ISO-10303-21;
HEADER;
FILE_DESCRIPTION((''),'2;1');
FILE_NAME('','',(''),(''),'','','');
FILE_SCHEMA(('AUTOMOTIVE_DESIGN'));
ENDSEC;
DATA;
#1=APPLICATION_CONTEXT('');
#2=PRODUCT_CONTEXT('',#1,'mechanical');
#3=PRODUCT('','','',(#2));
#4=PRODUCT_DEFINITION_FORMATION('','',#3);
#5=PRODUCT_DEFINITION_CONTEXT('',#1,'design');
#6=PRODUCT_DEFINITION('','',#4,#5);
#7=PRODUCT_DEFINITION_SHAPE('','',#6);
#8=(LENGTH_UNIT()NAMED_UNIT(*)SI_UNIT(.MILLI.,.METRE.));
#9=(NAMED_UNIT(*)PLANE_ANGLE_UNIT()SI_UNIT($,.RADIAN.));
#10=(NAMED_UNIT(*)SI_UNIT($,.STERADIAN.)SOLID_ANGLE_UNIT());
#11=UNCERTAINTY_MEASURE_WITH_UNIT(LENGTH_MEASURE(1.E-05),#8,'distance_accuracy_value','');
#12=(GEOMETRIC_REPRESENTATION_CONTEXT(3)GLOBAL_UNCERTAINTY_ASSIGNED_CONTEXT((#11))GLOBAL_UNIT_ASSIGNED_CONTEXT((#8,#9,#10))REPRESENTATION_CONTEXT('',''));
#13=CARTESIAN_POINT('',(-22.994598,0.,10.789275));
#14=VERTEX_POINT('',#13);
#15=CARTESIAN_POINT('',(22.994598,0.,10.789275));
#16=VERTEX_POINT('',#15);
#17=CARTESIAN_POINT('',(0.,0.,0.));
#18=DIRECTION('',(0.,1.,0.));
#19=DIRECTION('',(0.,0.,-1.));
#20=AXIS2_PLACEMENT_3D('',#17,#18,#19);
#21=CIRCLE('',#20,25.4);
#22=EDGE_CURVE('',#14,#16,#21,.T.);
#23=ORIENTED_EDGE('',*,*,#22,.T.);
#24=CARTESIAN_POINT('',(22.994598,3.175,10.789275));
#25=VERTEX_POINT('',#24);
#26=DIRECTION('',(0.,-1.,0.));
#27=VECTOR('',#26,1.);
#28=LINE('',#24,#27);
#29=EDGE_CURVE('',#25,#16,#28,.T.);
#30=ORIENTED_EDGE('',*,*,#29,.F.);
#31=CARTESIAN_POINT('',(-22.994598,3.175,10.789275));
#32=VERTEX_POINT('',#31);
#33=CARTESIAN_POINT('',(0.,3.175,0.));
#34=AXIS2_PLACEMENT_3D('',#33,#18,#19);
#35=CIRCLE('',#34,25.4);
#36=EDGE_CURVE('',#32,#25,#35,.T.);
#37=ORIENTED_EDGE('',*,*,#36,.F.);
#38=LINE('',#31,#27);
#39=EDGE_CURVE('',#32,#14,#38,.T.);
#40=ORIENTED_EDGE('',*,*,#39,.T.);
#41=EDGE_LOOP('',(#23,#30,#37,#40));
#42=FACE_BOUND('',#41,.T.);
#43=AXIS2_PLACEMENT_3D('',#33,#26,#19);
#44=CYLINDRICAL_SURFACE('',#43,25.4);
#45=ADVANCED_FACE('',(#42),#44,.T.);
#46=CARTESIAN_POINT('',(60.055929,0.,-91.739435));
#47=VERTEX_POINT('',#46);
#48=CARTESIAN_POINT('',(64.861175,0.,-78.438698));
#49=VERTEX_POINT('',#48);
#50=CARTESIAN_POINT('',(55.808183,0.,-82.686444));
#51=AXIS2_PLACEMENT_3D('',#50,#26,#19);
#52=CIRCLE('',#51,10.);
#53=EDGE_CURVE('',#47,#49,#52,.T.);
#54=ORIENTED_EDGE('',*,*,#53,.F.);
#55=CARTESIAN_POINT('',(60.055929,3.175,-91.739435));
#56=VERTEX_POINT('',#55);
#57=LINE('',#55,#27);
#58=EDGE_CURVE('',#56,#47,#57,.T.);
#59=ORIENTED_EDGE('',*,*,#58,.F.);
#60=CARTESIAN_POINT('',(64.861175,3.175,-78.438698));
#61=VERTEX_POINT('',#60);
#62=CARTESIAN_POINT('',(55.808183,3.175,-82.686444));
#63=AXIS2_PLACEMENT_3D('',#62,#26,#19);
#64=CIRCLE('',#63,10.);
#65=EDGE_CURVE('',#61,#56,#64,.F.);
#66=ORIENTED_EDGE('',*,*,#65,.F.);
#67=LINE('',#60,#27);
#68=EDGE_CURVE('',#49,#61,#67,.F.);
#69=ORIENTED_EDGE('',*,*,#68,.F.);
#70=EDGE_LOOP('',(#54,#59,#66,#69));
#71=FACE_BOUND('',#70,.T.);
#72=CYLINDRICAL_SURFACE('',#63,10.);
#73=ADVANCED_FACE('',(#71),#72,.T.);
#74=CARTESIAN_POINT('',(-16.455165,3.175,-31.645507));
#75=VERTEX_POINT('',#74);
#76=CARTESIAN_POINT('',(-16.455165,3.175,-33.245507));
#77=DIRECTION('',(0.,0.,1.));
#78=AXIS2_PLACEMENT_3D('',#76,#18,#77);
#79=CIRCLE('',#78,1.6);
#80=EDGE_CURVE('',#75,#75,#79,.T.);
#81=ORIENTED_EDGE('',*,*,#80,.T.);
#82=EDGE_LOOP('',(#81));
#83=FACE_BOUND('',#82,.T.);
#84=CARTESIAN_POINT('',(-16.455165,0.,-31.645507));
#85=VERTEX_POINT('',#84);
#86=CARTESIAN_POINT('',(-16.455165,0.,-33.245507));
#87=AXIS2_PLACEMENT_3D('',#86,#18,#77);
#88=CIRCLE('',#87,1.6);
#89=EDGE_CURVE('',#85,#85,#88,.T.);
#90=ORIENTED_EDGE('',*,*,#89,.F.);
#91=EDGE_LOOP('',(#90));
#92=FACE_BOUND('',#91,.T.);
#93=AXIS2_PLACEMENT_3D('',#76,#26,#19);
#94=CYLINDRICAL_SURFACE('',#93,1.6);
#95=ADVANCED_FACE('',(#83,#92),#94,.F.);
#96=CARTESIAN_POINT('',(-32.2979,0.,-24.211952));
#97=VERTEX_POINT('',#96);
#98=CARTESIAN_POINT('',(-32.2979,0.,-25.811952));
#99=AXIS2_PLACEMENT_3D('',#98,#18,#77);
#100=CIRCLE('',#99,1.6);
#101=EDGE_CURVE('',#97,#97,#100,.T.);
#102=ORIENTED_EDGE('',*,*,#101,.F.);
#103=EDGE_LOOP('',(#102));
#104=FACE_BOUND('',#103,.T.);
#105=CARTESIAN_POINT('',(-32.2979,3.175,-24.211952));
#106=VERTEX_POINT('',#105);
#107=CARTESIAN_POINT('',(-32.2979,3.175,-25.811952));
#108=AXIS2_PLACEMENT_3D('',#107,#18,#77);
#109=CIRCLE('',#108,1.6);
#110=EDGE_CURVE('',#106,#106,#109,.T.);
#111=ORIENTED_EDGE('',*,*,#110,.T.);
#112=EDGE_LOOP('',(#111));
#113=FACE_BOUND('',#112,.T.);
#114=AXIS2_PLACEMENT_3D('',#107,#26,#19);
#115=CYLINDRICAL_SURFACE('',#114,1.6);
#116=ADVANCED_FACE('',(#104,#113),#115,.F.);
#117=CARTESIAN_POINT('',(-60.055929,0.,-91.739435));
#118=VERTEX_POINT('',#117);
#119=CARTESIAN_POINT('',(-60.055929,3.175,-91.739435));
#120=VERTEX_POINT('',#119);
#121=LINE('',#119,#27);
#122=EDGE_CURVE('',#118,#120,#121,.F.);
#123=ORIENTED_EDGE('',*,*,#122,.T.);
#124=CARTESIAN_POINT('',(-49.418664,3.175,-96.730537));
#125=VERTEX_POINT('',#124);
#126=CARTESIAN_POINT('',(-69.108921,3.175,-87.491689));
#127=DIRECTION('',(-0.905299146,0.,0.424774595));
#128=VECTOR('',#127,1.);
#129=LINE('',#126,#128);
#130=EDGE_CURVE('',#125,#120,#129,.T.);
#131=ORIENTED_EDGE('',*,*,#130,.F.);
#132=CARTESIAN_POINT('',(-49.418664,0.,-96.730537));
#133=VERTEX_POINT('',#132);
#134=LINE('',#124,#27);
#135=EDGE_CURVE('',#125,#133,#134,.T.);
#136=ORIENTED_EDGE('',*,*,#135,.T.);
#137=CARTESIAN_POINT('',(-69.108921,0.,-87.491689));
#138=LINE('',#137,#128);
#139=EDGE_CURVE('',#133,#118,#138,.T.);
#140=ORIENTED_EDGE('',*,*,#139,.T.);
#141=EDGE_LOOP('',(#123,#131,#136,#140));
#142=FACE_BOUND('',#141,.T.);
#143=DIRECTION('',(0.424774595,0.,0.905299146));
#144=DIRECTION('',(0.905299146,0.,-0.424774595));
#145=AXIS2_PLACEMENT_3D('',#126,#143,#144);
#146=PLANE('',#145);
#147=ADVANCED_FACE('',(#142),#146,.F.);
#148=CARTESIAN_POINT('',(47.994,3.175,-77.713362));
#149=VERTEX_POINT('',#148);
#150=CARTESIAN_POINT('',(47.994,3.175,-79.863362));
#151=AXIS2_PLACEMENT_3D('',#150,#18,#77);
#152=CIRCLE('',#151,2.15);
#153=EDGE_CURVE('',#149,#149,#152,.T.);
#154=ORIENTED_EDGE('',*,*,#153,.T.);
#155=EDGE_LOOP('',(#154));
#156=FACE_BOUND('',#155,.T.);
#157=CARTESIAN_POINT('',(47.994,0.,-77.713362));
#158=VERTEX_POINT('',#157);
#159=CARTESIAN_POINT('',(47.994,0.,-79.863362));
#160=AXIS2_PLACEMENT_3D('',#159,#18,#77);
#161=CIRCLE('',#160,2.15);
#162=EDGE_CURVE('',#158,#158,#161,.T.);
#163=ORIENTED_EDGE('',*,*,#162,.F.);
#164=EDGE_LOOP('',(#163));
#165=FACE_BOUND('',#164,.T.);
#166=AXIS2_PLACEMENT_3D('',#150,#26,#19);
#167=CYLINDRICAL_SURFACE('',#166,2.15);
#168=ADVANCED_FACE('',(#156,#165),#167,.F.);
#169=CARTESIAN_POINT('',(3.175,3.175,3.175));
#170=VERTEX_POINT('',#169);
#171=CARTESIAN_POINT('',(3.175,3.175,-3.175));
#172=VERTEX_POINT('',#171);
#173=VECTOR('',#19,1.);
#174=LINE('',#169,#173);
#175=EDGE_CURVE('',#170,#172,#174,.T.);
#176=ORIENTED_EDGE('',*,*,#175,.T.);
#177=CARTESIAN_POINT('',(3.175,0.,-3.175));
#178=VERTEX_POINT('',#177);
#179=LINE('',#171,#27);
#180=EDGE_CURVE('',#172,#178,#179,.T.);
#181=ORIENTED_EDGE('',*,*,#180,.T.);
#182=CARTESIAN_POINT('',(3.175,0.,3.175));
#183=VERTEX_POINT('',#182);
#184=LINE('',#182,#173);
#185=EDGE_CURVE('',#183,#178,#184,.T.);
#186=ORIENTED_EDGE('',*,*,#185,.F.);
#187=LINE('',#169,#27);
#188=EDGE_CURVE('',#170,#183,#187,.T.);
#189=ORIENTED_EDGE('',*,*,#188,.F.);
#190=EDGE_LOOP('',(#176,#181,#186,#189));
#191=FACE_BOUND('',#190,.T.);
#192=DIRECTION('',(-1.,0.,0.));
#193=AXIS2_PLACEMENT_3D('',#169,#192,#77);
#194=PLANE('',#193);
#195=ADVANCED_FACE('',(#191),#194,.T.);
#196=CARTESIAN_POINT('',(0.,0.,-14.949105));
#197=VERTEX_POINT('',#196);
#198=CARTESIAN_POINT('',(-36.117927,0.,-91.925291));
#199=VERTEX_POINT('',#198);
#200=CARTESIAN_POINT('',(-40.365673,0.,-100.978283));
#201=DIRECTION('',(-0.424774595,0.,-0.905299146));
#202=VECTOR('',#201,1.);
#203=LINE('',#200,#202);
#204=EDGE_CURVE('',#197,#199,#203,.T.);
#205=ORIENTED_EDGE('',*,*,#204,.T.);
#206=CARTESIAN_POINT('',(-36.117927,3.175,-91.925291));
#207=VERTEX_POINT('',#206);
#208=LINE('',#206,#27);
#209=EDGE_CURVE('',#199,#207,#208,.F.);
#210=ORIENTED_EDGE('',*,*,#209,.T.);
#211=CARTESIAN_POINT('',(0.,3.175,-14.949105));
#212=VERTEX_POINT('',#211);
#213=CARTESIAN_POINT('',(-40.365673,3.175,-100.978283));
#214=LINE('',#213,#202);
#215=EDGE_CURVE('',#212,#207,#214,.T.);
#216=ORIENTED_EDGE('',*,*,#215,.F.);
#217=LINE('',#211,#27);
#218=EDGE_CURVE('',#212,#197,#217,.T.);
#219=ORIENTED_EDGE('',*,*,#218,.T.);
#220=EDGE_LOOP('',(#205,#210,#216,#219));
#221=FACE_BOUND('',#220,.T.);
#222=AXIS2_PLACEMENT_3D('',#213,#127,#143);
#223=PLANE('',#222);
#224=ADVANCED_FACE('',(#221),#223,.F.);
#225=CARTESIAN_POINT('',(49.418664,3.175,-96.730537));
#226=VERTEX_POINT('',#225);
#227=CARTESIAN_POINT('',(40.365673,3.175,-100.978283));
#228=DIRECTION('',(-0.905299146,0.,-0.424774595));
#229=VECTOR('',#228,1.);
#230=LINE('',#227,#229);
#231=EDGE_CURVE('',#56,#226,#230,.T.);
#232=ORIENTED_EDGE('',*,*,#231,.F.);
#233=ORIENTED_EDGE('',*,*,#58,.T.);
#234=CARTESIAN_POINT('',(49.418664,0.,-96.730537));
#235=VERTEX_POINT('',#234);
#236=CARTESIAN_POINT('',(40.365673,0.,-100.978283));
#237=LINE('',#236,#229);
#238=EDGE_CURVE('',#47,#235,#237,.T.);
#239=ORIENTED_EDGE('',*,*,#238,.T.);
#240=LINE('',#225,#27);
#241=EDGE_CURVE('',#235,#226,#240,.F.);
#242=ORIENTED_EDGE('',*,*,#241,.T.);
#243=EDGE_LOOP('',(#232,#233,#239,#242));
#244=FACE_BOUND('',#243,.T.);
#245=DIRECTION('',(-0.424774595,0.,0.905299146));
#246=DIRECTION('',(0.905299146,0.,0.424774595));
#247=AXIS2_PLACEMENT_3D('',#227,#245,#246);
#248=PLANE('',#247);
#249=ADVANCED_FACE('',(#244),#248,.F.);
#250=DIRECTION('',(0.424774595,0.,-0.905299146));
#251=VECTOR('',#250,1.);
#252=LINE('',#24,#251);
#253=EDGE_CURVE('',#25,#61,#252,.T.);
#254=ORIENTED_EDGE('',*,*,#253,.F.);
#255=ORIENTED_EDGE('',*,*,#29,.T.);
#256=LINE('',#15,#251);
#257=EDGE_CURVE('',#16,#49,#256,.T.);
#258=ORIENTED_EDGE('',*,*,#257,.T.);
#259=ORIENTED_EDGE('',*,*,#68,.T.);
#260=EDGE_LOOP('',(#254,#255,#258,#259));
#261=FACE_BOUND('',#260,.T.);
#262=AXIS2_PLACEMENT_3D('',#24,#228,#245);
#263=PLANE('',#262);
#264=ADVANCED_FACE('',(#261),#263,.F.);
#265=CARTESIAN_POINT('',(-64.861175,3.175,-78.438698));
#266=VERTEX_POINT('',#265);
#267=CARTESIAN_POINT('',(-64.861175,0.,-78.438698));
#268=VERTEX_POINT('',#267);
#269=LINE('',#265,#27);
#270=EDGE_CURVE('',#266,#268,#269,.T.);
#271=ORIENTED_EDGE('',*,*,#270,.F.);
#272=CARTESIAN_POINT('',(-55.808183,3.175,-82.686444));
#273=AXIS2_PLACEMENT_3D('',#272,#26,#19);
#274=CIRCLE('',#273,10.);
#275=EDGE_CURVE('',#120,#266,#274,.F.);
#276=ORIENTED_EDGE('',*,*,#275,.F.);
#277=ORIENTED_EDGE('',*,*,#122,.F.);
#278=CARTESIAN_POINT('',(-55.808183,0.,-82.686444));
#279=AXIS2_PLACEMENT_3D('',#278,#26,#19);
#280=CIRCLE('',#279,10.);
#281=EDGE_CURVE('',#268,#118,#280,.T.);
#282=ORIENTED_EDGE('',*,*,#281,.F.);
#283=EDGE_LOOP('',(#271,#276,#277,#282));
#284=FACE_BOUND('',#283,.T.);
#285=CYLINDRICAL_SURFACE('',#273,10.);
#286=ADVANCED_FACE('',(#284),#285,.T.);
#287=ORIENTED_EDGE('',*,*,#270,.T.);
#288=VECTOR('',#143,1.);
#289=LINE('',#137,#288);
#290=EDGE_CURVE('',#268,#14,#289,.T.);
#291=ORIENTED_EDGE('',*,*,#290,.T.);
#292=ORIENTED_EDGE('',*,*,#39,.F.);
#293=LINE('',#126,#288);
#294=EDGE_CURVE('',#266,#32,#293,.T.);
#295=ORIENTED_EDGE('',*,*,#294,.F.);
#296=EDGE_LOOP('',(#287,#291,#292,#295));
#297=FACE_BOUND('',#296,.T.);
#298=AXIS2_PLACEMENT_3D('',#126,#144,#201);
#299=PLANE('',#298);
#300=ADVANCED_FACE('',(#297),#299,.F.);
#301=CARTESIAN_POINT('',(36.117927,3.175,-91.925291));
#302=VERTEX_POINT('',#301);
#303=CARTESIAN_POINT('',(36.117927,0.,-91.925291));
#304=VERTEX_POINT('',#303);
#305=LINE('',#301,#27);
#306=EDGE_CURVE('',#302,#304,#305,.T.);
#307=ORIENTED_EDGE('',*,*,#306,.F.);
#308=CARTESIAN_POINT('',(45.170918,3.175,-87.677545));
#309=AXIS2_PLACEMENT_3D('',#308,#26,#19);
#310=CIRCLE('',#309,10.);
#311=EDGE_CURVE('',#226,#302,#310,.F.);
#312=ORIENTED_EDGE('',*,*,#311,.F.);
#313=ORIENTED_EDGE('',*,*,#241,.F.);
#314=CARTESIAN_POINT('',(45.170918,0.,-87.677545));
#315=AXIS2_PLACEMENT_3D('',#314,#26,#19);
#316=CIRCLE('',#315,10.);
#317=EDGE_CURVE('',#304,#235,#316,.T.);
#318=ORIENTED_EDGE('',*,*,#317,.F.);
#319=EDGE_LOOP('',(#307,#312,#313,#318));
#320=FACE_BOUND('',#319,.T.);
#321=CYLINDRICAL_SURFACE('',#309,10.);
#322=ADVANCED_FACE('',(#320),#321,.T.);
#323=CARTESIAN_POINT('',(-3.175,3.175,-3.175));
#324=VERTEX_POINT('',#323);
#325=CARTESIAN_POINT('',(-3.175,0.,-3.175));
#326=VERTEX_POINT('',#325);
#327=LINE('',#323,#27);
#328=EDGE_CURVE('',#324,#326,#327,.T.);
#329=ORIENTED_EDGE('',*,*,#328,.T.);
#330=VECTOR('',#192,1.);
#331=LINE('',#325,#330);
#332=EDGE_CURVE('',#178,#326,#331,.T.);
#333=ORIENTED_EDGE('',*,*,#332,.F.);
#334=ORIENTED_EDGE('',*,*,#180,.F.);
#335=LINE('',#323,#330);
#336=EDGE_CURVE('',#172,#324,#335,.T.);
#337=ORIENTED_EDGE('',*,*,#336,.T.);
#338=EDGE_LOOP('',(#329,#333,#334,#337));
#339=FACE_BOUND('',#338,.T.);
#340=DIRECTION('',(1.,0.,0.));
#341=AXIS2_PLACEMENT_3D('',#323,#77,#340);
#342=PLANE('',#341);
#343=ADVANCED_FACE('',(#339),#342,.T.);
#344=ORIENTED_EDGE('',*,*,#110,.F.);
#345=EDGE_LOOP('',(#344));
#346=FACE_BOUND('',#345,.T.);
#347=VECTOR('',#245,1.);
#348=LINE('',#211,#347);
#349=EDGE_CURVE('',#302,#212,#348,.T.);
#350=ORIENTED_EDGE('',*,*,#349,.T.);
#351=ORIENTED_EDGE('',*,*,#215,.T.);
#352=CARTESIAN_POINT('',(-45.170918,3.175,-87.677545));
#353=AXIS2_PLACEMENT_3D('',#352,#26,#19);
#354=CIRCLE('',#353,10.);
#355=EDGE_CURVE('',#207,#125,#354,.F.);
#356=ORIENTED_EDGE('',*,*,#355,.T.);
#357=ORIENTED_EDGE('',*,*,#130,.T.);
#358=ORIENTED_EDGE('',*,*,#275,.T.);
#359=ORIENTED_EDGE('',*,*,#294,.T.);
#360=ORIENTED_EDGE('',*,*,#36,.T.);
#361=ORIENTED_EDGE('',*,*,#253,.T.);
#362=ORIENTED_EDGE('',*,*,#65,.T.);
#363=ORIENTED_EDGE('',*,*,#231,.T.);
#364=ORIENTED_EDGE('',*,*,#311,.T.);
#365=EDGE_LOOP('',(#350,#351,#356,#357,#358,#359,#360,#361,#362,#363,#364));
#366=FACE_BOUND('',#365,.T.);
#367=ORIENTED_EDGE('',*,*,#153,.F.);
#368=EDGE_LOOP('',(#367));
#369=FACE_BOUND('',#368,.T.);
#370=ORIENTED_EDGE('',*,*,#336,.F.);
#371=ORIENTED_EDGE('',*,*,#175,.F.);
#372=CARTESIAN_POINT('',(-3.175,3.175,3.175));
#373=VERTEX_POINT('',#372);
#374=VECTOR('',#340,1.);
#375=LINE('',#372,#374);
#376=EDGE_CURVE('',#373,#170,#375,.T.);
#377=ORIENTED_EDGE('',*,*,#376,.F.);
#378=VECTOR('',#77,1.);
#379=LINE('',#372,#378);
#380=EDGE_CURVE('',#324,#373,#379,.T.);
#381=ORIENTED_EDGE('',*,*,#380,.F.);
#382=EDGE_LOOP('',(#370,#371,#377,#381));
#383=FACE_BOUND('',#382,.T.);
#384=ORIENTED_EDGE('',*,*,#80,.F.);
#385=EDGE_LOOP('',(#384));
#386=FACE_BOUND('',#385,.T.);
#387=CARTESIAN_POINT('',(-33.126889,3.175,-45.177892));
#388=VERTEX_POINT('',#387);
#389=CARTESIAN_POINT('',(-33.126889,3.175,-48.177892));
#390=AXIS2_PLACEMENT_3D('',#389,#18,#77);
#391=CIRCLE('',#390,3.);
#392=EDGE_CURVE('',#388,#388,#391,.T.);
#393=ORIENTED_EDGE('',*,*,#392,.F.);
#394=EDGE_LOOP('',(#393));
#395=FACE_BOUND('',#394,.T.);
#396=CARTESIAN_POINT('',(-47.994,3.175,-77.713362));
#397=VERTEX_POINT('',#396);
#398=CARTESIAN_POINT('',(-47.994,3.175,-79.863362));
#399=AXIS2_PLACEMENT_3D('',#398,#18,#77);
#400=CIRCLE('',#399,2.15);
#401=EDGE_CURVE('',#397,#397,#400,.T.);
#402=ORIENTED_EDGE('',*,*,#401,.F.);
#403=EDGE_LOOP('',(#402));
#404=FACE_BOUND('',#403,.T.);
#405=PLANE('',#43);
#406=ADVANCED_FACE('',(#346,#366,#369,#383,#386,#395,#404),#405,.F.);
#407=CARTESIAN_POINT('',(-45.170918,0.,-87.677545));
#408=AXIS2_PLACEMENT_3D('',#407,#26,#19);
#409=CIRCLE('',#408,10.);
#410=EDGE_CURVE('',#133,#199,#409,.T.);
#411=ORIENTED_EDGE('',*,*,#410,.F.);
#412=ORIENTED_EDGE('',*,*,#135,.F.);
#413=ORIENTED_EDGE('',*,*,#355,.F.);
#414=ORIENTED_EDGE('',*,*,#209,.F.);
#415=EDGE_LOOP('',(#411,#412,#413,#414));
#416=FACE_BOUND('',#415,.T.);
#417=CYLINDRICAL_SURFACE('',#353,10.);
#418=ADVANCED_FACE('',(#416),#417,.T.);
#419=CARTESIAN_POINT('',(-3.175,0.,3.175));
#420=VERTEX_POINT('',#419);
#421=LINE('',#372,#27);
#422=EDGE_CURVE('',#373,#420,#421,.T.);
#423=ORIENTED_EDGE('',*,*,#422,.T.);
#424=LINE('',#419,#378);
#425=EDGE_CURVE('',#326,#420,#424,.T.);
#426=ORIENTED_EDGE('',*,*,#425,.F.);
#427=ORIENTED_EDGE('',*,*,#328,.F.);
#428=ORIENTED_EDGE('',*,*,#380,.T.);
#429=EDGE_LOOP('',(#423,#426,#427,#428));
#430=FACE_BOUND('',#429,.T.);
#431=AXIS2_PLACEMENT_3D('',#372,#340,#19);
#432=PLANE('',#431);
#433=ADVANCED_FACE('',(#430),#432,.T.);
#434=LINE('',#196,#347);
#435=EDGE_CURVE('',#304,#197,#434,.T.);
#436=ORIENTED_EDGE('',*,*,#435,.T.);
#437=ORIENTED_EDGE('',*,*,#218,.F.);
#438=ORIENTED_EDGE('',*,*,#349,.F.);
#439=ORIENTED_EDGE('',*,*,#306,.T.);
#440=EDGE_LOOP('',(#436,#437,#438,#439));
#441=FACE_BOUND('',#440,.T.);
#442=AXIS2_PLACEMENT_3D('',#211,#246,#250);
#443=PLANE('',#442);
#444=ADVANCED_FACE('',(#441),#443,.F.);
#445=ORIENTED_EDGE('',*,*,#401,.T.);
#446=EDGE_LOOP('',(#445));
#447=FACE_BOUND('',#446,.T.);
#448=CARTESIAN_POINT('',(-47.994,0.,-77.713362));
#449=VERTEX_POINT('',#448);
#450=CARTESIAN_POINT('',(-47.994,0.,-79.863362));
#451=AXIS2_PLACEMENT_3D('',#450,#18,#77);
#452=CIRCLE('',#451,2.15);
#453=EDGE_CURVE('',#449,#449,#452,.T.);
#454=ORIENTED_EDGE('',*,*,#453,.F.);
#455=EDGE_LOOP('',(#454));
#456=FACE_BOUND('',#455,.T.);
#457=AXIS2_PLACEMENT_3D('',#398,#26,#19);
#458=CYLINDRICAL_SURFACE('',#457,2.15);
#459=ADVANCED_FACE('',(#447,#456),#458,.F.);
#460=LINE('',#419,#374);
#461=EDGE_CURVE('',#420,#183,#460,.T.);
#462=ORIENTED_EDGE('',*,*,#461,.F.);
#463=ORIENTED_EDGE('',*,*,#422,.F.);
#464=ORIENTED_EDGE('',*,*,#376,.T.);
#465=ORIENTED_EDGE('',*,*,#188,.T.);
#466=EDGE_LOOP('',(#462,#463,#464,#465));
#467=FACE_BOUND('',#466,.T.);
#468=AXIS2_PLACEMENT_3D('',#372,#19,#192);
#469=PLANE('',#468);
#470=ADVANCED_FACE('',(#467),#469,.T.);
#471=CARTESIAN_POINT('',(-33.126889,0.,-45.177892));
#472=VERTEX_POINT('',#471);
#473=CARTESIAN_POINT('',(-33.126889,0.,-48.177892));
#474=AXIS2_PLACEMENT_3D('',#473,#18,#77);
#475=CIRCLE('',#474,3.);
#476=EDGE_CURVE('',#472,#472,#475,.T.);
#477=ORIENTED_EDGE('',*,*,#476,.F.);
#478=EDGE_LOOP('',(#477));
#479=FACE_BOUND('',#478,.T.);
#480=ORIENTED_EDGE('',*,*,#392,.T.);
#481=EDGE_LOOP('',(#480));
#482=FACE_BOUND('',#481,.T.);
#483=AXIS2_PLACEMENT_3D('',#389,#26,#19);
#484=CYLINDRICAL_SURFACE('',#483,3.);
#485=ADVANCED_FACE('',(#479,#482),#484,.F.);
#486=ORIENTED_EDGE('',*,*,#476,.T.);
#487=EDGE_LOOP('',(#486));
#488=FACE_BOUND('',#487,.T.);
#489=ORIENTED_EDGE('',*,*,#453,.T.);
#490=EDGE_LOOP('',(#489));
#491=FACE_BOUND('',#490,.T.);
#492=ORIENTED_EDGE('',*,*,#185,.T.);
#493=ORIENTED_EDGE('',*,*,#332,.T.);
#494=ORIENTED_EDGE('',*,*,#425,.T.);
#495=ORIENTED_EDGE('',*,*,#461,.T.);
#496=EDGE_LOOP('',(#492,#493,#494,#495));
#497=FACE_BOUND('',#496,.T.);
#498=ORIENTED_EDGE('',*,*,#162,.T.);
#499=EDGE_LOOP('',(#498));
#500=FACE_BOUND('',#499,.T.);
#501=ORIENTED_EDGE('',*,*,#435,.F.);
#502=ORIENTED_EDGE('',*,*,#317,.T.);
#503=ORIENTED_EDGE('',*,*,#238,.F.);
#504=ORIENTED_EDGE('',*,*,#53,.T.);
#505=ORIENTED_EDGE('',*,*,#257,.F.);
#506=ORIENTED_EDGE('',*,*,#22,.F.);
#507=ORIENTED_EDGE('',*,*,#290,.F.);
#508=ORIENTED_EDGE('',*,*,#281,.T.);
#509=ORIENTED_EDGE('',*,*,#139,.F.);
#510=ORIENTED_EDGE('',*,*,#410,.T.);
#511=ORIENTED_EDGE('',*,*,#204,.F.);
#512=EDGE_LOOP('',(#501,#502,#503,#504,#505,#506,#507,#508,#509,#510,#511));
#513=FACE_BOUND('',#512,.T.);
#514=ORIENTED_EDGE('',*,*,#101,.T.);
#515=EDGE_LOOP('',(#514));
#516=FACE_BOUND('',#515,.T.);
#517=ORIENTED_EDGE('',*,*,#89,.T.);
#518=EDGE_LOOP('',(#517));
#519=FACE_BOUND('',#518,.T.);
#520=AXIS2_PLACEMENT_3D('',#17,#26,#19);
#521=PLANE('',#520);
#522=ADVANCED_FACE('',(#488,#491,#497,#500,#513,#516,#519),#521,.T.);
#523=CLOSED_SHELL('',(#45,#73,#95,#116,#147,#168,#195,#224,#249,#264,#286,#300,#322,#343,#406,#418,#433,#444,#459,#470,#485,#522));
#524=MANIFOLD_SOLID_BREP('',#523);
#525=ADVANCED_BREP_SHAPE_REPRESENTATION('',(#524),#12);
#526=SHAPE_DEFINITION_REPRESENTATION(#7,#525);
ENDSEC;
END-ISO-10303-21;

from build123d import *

# Parameters (mm, degrees)
SKETCH1_R           = 2.15
SKETCH1_R_2         = 3
SKETCH1_R_3         = 1.6
SKETCH1_W           = 6.35
SKETCH1_H           = 6.35
BOSS_EXTRUDE1_DEPTH = 3.175
FILLET1_R           = 10


with BuildPart() as part:
    # Sketch1 → Boss-Extrude1 (new body)
    with BuildSketch(Plane(origin=(0, 0, 0), x_dir=(1, 0, 0), z_dir=(0, 1, 0))):
        with BuildLine():
            Line((-69.108920632, 87.491689248), (-22.994598309, -10.789274703))
            ThreePointArc((-22.994598309, -10.789274703), (0, -25.4), (22.994598309, -10.789274703))
            Line((22.994598309, -10.789274703), (69.108920632, 87.491689248))
            Line((69.108920632, 87.491689248), (40.365672746, 100.978282626))
            Line((40.365672746, 100.978282626), (0, 14.949104962))
            Line((0, 14.949104962), (-40.365672746, 100.978282626))
            Line((-40.365672746, 100.978282626), (-69.108920632, 87.491689248))
        make_face()
        with Locations((47.994, 79.863361994)):
            Circle(SKETCH1_R, mode=Mode.SUBTRACT)
        with Locations((-47.994, 79.863361994)):
            Circle(SKETCH1_R, mode=Mode.SUBTRACT)
        with Locations((-33.126889189, 48.177891883)):
            Circle(SKETCH1_R_2, mode=Mode.SUBTRACT)
        with Locations((-32.297900068, 25.811951773)):
            Circle(SKETCH1_R_3, mode=Mode.SUBTRACT)
        with Locations((-16.455165013, 33.245507178)):
            Circle(SKETCH1_R_3, mode=Mode.SUBTRACT)
        Rectangle(SKETCH1_W, SKETCH1_H, mode=Mode.SUBTRACT)
    extrude(amount=BOSS_EXTRUDE1_DEPTH)

    # Fillet1
    fillet1_edges = [part.edges().sort_by_distance(p)[0] for p in [
        (-40.365672746, 1.5875, -100.978282626),
        (40.365672746, 1.5875, -100.978282626),
        (69.108920632, 1.5875, -87.491689248),
        (-69.108920632, 1.5875, -87.491689248),
    ]]
    fillet(fillet1_edges, radius=FILLET1_R)


solid = part.part
